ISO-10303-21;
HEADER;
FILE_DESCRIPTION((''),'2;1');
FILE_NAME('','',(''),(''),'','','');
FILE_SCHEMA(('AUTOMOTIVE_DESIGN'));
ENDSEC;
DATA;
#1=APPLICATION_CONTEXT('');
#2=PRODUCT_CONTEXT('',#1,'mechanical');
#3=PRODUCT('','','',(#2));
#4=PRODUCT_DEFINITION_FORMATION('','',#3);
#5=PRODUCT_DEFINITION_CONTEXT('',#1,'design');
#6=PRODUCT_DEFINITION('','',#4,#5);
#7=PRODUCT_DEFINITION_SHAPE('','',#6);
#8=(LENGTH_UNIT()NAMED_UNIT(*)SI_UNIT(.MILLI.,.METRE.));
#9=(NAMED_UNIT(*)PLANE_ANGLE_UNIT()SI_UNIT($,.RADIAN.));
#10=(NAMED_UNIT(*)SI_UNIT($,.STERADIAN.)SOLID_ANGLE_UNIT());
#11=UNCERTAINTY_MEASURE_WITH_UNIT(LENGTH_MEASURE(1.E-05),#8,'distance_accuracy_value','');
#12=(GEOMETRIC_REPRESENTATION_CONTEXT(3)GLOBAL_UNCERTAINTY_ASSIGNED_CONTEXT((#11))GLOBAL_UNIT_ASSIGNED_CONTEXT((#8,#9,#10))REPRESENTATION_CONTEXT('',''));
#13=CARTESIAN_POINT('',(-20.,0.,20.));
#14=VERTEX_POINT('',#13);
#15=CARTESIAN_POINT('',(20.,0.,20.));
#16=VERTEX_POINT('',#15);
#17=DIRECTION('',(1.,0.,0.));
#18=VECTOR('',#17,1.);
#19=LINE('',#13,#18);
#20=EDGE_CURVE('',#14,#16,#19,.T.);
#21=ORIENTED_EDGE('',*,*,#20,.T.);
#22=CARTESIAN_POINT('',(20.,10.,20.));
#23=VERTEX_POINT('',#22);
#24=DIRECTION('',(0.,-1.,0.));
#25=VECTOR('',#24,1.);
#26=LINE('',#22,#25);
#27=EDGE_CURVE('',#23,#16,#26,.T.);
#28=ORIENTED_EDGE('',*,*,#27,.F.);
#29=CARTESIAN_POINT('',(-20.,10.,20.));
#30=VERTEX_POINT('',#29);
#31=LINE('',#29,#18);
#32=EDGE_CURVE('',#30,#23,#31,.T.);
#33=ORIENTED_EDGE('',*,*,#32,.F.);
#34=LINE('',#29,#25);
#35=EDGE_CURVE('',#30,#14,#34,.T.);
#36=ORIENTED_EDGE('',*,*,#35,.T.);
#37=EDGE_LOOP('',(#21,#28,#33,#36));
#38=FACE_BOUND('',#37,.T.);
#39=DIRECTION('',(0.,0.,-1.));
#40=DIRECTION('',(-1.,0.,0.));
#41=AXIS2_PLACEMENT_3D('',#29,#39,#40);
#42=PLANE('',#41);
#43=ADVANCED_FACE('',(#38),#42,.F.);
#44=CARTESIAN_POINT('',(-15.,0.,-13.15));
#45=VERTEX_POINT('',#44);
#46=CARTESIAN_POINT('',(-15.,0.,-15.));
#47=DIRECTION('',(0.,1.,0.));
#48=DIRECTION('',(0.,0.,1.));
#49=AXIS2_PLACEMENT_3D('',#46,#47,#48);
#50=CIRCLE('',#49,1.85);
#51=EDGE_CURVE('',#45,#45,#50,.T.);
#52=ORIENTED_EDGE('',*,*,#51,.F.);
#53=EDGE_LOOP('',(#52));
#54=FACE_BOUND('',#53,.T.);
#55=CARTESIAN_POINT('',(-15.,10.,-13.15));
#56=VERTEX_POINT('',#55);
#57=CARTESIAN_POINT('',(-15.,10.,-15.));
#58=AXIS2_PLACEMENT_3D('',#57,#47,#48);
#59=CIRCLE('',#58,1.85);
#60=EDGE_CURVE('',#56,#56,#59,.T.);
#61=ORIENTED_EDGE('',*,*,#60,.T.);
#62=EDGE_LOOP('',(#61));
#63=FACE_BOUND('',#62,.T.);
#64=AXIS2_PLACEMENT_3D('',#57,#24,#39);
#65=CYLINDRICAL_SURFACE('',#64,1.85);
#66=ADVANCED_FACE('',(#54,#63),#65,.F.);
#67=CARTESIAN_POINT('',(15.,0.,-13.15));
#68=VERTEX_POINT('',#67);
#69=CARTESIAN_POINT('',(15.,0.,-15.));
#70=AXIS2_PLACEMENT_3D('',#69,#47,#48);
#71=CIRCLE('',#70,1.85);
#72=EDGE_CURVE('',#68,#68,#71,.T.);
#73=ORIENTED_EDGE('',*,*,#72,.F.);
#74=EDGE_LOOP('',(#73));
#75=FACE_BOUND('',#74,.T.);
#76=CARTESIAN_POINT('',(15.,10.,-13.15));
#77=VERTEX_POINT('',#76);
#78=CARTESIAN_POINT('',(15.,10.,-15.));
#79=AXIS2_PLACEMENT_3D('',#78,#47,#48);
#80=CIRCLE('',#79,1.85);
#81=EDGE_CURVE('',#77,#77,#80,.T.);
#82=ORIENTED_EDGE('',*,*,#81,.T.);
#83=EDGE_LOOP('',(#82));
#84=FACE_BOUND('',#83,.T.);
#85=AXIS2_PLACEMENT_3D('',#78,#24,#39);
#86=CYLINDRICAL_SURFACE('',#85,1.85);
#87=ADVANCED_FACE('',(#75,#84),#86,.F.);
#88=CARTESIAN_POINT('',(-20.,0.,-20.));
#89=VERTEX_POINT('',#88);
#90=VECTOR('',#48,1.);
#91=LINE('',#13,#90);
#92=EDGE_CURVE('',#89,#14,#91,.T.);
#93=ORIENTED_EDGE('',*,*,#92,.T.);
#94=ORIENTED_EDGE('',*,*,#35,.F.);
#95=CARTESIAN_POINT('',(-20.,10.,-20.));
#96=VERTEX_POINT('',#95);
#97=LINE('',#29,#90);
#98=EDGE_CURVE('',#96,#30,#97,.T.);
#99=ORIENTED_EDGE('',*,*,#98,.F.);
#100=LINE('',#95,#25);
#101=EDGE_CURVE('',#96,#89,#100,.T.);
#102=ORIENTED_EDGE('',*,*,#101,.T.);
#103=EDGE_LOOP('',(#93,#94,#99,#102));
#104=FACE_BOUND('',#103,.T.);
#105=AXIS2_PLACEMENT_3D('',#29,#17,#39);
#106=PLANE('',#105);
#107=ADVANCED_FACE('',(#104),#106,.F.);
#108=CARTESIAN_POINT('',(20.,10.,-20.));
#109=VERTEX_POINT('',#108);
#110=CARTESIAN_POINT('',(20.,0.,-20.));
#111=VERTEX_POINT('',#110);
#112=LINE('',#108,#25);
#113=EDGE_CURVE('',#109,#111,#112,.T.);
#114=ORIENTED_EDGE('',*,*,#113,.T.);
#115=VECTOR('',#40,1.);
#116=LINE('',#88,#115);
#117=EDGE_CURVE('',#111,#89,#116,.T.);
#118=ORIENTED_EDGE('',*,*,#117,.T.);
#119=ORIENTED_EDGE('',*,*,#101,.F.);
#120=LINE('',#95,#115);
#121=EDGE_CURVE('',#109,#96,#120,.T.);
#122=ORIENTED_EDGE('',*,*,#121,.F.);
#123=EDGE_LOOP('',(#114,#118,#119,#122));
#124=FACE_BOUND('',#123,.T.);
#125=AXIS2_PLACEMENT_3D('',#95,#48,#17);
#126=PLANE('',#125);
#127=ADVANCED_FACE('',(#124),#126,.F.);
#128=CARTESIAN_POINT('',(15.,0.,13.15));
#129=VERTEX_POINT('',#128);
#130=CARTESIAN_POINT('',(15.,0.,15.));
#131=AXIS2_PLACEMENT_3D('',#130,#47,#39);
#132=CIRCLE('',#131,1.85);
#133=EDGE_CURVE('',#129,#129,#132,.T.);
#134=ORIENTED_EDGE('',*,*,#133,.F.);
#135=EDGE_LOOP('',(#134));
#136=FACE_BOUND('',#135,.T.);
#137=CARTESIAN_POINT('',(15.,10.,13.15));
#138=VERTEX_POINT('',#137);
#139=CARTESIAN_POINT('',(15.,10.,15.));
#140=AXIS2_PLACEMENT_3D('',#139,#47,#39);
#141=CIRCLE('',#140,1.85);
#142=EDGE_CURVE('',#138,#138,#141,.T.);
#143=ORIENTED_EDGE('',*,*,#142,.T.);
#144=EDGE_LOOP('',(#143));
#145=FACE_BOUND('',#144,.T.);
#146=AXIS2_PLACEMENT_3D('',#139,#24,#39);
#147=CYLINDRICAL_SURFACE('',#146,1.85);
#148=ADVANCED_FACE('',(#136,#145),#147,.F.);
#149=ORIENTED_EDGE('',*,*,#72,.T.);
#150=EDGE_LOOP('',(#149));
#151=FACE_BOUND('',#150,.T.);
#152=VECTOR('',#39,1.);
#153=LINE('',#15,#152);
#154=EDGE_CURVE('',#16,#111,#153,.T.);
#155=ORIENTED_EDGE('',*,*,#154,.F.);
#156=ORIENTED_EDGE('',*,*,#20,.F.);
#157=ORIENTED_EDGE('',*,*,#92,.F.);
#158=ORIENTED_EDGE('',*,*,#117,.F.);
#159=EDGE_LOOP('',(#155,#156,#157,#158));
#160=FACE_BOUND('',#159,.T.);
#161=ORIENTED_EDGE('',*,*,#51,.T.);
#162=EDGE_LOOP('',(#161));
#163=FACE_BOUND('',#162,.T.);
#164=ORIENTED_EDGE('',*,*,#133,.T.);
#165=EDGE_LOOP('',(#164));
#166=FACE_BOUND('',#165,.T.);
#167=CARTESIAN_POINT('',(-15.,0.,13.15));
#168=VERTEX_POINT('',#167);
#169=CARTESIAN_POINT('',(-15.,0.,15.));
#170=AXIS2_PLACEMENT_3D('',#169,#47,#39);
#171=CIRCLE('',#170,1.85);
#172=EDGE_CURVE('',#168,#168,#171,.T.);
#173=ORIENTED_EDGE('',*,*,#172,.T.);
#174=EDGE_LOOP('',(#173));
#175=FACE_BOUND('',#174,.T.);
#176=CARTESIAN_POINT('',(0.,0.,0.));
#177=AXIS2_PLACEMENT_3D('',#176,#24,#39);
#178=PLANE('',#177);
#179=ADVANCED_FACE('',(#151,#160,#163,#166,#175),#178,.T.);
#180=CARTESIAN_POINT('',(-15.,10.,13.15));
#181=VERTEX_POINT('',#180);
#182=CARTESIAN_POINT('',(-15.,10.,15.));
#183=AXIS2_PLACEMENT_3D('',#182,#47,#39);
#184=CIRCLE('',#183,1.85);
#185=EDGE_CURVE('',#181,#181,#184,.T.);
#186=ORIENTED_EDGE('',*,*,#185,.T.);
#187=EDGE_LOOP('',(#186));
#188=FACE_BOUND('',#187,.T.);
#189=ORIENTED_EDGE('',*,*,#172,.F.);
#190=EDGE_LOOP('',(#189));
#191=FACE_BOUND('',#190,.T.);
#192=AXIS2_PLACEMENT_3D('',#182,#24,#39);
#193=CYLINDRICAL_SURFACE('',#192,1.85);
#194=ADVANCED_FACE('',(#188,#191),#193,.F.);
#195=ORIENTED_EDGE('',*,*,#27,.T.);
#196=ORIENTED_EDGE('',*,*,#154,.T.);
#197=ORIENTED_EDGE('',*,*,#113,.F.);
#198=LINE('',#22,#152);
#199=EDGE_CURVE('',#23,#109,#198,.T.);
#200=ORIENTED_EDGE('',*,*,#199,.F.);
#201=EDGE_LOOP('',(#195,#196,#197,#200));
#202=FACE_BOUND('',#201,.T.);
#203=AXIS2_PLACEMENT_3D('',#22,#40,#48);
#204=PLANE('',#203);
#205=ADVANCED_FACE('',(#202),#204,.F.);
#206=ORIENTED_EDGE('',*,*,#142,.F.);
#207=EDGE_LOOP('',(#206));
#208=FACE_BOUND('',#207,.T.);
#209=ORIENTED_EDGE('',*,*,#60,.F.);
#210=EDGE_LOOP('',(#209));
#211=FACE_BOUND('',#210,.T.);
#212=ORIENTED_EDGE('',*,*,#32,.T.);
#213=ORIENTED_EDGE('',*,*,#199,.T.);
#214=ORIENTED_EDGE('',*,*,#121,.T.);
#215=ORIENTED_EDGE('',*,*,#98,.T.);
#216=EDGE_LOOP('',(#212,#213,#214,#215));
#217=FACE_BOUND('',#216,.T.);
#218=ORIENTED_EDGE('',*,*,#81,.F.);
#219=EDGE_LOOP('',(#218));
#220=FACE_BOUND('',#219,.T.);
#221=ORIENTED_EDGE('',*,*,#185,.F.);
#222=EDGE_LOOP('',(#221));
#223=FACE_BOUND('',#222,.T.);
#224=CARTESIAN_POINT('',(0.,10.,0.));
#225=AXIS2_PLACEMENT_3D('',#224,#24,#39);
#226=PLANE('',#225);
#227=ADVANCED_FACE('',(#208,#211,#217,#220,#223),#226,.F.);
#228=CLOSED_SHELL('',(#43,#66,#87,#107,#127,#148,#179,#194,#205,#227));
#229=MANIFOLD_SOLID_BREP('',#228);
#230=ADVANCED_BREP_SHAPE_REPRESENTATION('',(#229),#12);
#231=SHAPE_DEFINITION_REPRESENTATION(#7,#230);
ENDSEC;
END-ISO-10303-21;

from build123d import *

# Parameters (mm, degrees)
SKETCH1_W           = 40
SKETCH1_H           = 40
SKETCH1_R           = 1.85
BOSS_EXTRUDE1_DEPTH = 10


with BuildPart() as part:
    # Sketch1 → Boss-Extrude1 (new body)
    with BuildSketch(Plane(origin=(0, 0, 0), x_dir=(1, 0, 0), z_dir=(0, 1, 0))):
        Rectangle(SKETCH1_W, SKETCH1_H)
        with Locations(Location((-15, 15, 0), (0, 0, 270))):
            Circle(SKETCH1_R, mode=Mode.SUBTRACT)
        with Locations(Location((15, -15, 0), (0, 0, 90))):
            Circle(SKETCH1_R, mode=Mode.SUBTRACT)
        with Locations(Location((15, 15, 0), (0, 0, 270))):
            Circle(SKETCH1_R, mode=Mode.SUBTRACT)
        with Locations(Location((-15, -15, 0), (0, 0, 90))):
            Circle(SKETCH1_R, mode=Mode.SUBTRACT)
    extrude(amount=BOSS_EXTRUDE1_DEPTH)


solid = part.part
